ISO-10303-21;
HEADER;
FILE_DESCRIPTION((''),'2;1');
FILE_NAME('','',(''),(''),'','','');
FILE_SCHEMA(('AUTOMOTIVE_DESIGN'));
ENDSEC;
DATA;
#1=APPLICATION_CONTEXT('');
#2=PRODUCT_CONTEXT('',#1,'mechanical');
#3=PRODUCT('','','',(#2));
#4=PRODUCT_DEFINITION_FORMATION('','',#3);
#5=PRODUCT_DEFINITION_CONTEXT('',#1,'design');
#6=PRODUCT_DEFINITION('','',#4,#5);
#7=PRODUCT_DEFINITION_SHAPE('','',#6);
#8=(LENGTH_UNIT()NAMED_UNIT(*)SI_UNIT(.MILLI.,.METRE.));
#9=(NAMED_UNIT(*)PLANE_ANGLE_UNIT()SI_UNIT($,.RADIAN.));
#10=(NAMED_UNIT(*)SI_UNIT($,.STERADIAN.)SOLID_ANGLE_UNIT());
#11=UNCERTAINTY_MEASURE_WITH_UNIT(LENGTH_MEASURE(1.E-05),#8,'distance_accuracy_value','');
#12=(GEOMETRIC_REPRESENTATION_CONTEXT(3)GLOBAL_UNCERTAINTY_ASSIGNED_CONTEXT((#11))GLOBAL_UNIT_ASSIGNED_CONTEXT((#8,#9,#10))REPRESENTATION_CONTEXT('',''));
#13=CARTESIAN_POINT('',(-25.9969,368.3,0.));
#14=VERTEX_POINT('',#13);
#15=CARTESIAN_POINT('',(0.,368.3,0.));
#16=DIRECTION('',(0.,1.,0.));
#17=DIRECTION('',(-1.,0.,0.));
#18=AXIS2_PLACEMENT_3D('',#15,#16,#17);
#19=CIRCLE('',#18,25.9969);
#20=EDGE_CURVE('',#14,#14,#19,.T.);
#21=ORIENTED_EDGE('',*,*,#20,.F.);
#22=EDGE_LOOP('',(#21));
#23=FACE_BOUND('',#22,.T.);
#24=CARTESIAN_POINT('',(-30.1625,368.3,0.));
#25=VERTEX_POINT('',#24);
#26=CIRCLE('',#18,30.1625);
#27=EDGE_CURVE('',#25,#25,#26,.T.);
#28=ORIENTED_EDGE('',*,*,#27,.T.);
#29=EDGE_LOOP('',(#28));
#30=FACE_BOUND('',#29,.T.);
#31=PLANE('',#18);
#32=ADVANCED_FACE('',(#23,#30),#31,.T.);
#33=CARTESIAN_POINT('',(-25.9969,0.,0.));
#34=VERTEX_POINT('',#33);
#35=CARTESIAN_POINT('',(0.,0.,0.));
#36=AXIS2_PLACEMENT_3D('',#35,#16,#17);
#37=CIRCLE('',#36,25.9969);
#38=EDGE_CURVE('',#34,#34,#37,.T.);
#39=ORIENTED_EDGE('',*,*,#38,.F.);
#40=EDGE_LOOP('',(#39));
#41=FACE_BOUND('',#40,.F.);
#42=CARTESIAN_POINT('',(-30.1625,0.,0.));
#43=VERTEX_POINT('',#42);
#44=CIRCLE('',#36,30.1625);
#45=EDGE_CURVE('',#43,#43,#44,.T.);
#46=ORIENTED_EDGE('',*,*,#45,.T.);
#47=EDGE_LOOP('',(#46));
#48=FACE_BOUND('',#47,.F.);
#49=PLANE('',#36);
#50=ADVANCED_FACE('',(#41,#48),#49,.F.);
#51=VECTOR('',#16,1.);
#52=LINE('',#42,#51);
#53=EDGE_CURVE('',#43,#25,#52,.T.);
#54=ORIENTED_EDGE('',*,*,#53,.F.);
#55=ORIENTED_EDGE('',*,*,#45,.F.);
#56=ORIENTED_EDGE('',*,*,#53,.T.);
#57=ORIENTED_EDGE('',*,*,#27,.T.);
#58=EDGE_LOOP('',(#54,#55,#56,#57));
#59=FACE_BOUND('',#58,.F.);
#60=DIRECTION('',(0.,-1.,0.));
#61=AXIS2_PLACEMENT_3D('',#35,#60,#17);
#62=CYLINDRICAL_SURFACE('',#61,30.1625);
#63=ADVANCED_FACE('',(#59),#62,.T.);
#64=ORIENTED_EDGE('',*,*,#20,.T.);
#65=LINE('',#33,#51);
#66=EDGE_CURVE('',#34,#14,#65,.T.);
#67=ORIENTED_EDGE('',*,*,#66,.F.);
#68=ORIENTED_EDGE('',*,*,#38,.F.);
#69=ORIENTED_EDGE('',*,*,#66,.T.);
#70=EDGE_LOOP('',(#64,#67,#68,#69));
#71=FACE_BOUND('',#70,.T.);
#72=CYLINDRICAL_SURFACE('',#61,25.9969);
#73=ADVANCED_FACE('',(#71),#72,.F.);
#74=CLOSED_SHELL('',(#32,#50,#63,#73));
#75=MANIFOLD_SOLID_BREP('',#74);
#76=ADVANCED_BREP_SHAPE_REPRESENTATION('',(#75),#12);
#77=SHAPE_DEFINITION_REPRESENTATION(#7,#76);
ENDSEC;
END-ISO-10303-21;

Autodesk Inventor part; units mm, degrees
ref_plane "YZ Plane" through (0, 0, 0) normal (1, 0, 0) x (0, 1, 0)
ref_plane "XZ Plane" through (0, 0, 0) normal (0, 1, 0) x (-1, 0, 0)
ref_plane "XY Plane" through (0, 0, 0) normal (0, 0, 1) x (1, 0, 0)
sketch "Sketch1" plane through (0, 0, 0) normal (0, 1, 0) x (-1, 0, 0)
  circle A0 centre (0, 0) radius 25.9969
  circle A1 centre (0, 0) radius 30.1625
  dimension "d0" = 51.9938
  dimension "d1" = 60.325
extrude "Extrusion1" add sketch "Sketch1" along normal blind 368.3
properties part number "2in roller back"
